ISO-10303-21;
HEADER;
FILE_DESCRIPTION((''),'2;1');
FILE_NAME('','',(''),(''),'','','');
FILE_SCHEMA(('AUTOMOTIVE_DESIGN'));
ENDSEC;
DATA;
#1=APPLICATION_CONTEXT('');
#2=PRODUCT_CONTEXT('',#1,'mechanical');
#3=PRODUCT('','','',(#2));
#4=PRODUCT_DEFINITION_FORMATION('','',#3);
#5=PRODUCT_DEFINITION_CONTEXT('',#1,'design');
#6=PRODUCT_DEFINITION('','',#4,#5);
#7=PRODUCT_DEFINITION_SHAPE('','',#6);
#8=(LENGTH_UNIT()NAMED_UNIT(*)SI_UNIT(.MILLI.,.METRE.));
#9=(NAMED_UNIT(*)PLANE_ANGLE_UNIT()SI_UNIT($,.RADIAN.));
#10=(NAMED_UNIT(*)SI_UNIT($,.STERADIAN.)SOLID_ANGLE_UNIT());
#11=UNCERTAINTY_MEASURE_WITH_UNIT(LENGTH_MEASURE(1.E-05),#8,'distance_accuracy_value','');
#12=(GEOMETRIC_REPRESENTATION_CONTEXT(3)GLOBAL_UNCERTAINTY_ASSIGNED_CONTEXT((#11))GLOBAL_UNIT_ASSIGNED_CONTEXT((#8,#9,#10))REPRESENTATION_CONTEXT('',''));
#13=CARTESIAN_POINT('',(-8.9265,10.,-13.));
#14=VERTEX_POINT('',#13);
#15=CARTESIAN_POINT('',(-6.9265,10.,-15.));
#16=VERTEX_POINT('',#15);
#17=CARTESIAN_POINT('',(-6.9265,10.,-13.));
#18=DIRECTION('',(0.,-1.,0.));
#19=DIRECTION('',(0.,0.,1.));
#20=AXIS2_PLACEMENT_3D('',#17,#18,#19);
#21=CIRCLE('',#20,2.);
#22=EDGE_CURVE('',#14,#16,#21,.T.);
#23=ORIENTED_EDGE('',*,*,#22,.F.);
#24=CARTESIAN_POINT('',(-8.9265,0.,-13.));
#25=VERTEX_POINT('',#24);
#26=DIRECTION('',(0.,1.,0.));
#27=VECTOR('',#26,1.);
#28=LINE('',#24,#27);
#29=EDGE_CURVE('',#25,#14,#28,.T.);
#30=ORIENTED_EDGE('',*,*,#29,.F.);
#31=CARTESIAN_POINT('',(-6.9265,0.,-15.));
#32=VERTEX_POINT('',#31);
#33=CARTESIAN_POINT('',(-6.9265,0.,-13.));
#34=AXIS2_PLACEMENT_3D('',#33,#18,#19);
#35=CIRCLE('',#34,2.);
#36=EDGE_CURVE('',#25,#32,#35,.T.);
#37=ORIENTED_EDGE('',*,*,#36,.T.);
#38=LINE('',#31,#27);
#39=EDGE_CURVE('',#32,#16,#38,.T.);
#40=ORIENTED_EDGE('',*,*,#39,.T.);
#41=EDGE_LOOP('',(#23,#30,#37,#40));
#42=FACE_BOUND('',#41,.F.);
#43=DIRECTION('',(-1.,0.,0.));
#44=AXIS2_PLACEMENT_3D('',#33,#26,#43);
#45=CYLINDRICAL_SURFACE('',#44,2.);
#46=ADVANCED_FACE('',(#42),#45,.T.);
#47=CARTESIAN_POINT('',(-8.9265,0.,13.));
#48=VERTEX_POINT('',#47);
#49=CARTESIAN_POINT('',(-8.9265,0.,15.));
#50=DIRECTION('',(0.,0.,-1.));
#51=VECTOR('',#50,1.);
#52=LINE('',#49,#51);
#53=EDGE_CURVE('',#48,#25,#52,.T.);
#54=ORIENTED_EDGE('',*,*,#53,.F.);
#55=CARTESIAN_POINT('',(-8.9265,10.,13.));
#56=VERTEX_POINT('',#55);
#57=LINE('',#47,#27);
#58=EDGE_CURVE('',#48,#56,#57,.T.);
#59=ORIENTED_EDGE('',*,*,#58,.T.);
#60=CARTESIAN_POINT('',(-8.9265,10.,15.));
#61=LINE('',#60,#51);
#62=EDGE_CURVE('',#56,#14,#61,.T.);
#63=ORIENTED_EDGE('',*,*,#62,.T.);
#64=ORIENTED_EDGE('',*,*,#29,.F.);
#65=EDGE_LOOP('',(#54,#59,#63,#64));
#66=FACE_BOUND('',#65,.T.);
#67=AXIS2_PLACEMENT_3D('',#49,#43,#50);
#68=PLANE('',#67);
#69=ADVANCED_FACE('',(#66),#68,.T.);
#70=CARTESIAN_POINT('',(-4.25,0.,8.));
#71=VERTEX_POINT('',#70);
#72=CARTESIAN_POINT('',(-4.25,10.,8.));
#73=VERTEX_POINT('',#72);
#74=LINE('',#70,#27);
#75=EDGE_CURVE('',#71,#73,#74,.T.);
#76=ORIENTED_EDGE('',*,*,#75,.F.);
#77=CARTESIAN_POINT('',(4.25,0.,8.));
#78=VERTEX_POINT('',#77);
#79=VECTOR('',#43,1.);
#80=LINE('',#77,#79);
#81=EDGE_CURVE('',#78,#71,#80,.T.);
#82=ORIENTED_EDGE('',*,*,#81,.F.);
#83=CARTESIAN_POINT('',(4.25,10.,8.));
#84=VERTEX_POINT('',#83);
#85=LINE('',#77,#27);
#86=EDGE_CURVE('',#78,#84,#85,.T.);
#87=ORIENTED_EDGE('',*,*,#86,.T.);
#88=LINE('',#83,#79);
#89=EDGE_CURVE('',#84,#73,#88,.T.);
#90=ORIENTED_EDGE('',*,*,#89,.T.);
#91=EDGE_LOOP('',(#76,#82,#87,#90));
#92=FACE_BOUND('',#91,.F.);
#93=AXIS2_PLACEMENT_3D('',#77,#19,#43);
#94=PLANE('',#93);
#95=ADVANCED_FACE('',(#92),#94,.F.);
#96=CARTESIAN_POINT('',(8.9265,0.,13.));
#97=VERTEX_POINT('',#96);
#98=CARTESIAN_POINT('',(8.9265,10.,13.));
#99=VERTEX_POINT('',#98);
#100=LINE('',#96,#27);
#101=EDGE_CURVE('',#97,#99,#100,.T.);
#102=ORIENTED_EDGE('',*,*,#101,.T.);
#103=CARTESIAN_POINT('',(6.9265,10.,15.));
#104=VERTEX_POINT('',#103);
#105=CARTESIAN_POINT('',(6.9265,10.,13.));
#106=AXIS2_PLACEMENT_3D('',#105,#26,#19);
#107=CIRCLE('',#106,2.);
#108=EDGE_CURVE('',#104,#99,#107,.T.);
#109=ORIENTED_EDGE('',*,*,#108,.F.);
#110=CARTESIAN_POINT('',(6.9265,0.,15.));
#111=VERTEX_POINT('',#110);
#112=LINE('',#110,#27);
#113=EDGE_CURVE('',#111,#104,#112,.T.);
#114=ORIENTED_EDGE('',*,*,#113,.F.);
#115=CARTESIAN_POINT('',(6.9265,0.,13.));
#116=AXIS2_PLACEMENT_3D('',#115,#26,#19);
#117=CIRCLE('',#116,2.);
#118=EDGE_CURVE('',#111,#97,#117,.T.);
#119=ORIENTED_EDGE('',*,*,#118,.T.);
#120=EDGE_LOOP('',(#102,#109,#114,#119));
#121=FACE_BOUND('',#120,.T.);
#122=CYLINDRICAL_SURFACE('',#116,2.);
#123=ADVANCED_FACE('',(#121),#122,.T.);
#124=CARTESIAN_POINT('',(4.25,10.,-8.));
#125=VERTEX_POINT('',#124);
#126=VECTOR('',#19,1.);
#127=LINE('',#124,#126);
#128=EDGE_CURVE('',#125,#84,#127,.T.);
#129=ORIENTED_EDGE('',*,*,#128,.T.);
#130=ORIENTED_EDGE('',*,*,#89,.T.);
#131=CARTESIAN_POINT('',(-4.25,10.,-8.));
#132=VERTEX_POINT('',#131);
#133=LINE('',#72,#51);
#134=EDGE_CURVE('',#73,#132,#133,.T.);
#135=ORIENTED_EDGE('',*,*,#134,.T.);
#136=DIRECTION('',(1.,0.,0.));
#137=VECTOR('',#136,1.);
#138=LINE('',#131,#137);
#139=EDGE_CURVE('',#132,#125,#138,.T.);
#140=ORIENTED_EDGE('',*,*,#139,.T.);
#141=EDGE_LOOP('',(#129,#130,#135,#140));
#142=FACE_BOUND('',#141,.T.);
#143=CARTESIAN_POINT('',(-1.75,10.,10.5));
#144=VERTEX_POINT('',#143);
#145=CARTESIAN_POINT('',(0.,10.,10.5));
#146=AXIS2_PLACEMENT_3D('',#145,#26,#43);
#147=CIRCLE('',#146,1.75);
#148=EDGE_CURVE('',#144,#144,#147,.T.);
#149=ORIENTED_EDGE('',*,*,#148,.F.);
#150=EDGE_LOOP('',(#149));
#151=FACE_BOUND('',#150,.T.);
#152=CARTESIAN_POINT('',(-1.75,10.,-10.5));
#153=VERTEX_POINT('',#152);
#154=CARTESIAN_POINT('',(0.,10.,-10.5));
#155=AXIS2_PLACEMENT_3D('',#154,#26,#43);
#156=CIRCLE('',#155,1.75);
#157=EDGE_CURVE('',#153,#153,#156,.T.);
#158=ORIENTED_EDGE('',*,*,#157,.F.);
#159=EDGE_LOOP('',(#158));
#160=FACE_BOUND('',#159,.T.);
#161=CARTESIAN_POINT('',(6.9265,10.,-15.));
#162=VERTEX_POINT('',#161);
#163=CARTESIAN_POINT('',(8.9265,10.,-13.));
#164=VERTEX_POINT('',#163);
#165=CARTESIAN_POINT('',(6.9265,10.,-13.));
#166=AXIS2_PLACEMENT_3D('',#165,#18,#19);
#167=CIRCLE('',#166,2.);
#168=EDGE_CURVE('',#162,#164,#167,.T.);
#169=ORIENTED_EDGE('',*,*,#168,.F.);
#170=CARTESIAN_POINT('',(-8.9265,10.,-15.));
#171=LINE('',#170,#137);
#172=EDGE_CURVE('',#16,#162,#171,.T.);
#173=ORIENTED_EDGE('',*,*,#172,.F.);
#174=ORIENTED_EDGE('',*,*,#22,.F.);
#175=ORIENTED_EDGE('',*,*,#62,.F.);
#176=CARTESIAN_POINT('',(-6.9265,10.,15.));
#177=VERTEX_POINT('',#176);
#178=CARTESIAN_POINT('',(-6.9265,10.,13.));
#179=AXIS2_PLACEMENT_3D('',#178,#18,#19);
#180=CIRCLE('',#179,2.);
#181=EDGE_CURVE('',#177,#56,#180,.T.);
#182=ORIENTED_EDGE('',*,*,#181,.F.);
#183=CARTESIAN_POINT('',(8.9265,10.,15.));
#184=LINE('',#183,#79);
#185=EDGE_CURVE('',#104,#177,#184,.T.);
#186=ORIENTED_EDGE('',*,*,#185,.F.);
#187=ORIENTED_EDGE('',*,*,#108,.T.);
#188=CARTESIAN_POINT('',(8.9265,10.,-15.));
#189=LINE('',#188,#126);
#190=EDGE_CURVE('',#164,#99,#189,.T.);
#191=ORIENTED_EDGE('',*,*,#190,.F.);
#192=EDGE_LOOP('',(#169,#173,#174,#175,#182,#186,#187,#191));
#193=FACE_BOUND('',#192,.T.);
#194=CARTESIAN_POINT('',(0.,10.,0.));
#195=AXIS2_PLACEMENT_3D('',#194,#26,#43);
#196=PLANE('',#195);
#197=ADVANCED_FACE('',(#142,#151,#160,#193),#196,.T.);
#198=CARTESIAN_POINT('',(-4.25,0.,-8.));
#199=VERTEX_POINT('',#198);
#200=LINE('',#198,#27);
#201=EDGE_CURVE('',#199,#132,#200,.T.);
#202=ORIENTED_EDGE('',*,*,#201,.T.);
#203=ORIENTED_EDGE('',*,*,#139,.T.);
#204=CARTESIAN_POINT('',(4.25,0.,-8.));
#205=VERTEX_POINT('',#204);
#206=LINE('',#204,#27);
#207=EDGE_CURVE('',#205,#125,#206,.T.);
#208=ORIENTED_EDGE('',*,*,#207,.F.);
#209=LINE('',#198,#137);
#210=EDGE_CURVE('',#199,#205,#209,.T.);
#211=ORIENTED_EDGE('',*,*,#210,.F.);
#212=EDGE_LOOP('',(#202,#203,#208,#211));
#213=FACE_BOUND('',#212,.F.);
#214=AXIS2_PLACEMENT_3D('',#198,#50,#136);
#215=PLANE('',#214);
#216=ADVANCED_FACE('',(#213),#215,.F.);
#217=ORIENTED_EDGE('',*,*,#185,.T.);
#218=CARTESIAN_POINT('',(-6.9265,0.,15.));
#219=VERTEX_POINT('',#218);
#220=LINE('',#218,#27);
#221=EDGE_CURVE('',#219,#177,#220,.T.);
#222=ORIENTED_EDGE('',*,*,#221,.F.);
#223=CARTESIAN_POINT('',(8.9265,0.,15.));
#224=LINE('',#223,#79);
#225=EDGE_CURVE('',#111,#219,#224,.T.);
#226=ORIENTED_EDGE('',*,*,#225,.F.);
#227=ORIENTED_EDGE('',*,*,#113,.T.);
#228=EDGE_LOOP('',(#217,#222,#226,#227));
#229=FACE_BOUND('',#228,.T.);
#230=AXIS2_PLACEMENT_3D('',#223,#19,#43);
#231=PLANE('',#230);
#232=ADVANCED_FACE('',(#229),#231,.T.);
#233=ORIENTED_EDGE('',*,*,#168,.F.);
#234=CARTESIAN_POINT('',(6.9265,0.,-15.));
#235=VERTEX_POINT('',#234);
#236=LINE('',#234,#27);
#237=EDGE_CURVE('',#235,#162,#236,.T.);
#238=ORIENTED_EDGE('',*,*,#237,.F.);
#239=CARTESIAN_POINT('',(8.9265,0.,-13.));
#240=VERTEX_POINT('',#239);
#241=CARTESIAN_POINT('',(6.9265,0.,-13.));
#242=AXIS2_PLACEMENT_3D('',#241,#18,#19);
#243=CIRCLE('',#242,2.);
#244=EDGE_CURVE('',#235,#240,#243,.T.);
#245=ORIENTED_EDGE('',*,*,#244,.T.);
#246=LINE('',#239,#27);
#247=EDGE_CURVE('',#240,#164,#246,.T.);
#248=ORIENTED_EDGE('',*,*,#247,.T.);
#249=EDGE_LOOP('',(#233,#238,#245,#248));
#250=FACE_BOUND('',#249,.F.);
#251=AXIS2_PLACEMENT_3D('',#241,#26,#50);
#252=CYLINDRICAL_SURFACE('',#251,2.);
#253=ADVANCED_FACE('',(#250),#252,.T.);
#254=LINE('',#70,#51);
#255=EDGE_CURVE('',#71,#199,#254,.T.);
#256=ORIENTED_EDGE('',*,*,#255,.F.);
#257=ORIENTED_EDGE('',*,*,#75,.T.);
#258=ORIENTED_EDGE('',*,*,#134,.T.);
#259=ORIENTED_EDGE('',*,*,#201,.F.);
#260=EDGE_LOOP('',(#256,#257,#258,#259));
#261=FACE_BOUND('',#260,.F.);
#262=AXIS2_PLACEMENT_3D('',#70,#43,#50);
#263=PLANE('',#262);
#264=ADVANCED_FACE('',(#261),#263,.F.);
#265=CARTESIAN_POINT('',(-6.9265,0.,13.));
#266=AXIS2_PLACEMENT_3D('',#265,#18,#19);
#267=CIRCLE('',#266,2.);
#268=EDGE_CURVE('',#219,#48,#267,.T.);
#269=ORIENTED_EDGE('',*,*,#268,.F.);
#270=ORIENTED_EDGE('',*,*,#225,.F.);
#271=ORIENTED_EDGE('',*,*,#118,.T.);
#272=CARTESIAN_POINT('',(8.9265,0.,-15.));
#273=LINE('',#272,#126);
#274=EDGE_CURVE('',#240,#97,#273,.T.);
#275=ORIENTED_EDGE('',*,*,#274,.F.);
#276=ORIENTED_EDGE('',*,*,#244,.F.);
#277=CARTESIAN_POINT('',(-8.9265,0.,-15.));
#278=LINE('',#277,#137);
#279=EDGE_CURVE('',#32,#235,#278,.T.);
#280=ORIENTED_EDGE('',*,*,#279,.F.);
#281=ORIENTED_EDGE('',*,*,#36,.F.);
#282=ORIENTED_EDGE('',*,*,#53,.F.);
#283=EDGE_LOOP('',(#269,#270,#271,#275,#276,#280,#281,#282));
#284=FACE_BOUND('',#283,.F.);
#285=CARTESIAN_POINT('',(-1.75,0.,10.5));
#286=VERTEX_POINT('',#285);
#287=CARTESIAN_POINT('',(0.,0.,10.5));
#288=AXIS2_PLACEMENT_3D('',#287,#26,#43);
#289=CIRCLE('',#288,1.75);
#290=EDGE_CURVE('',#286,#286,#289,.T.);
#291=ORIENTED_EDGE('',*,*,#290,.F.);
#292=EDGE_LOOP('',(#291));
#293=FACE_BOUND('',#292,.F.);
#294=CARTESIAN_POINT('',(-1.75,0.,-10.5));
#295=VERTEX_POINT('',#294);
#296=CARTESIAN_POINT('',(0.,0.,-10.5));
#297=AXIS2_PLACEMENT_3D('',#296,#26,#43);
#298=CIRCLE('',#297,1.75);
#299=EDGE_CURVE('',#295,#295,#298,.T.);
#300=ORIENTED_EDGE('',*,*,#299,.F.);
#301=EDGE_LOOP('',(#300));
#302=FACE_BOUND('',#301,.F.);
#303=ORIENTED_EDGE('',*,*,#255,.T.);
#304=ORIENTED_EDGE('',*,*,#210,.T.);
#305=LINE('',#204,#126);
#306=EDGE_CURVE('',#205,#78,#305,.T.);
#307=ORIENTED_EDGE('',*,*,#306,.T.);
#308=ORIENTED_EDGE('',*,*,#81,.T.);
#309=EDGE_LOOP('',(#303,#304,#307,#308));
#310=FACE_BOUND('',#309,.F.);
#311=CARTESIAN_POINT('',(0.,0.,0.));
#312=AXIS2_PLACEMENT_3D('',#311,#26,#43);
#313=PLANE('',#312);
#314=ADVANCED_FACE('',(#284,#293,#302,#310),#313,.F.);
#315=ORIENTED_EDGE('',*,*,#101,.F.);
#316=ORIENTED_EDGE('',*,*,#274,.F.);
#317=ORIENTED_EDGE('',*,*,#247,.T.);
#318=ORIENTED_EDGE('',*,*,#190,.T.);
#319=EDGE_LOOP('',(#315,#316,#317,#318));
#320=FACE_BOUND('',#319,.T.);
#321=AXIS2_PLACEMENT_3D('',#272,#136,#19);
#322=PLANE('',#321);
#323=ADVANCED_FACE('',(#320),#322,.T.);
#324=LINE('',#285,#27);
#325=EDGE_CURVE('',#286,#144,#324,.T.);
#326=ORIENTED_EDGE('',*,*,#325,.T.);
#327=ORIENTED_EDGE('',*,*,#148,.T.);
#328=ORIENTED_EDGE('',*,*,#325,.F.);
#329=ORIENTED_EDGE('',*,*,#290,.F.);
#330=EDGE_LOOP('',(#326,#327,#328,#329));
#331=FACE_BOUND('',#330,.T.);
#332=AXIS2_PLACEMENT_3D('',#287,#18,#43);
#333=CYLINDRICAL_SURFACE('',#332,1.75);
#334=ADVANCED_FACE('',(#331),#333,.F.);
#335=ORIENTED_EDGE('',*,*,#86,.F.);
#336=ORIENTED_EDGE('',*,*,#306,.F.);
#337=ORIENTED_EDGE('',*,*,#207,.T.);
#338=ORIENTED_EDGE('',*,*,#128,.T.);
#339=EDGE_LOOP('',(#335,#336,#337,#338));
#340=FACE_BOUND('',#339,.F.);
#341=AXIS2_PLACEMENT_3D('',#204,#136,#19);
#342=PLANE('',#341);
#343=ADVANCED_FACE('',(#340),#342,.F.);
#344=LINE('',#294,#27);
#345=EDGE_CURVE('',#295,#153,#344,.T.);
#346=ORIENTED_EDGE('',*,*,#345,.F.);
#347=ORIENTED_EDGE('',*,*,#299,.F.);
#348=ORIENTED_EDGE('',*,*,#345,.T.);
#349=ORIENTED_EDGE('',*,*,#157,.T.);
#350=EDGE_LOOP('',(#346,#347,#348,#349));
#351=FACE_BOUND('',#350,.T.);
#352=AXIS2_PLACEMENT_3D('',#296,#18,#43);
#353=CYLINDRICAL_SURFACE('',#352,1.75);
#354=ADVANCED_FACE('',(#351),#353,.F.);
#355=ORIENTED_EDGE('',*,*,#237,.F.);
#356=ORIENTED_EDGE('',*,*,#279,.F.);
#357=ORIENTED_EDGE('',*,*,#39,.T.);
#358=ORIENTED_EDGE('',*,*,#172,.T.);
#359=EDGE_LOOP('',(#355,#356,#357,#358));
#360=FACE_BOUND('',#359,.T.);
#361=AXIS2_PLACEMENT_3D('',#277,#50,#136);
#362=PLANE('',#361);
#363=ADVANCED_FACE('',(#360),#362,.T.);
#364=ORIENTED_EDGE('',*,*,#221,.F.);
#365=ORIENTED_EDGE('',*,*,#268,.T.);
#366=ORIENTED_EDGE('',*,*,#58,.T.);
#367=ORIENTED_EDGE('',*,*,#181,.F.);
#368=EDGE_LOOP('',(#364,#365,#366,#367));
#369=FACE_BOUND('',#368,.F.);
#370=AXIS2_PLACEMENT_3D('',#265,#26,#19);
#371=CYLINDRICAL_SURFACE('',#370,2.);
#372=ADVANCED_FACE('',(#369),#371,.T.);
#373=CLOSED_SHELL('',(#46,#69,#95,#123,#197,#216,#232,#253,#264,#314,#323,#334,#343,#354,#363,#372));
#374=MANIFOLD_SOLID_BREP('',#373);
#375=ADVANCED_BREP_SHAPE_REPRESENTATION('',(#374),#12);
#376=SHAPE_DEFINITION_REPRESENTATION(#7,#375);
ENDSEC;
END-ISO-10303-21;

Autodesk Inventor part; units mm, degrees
ref_plane "YZ Plane" through (0, 0, 0) normal (1, 0, 0) x (0, 1, 0)
ref_plane "XZ Plane" through (0, 0, 0) normal (0, 1, 0) x (-1, 0, 0)
ref_plane "XY Plane" through (0, 0, 0) normal (0, 0, 1) x (1, 0, 0)
sketch "Szkic1" plane through (0, 0, 0) normal (0, 1, 0) x (-1, 0, 0)
  line L0 (-4.25, 8) -> (4.25, 8)
  line L1 (4.25, 8) -> (4.25, -8)
  line L2 (4.25, -8) -> (-4.25, -8)
  line L3 (-4.25, -8) -> (-4.25, 8)
  line L4 (-4.25, 8) -> (4.25, -8) construction
  line L5 (4.25, 8) -> (-4.25, -8) construction
  circle A0 centre (0, -10.5) radius 1.75
  circle A1 centre (0, 10.5) radius 1.75
  line L6 (-8.9265, 15) -> (8.9265, 15)
  line L7 (8.9265, 15) -> (8.9265, -15)
  line L8 (8.9265, -15) -> (-8.9265, -15)
  line L9 (-8.9265, -15) -> (-8.9265, 15)
  line L10 (-8.9265, 15) -> (8.9265, -15) construction
  line L11 (8.9265, 15) -> (-8.9265, -15) construction
  point P0 (0, 0)
  dimension "d0" = 8.5
  dimension "d1" = 16
  dimension "d2" = 3.5
  dimension "d3" = 4.25
  dimension "d4" = 10.5
  dimension "d5" = 3.5
  dimension "d6" = 4.25
  dimension "d7" = 10.5
extrude "Wyciągnięcie proste1" add sketch "Szkic1" along normal blind 10
fillet "Zaokrąglenie1" radius 2 4 edges at (-8.9265, 5, 15) (-8.9265, 5, -15) (8.9265, 5, -15) (8.9265, 5, 15)
equation "\"d3\" = 0.5 * d0"
equation "\"d5\" = d2"
equation "\"d6\" = d3"
equation "\"d7\" = d4"
properties part number "slot złącze"
